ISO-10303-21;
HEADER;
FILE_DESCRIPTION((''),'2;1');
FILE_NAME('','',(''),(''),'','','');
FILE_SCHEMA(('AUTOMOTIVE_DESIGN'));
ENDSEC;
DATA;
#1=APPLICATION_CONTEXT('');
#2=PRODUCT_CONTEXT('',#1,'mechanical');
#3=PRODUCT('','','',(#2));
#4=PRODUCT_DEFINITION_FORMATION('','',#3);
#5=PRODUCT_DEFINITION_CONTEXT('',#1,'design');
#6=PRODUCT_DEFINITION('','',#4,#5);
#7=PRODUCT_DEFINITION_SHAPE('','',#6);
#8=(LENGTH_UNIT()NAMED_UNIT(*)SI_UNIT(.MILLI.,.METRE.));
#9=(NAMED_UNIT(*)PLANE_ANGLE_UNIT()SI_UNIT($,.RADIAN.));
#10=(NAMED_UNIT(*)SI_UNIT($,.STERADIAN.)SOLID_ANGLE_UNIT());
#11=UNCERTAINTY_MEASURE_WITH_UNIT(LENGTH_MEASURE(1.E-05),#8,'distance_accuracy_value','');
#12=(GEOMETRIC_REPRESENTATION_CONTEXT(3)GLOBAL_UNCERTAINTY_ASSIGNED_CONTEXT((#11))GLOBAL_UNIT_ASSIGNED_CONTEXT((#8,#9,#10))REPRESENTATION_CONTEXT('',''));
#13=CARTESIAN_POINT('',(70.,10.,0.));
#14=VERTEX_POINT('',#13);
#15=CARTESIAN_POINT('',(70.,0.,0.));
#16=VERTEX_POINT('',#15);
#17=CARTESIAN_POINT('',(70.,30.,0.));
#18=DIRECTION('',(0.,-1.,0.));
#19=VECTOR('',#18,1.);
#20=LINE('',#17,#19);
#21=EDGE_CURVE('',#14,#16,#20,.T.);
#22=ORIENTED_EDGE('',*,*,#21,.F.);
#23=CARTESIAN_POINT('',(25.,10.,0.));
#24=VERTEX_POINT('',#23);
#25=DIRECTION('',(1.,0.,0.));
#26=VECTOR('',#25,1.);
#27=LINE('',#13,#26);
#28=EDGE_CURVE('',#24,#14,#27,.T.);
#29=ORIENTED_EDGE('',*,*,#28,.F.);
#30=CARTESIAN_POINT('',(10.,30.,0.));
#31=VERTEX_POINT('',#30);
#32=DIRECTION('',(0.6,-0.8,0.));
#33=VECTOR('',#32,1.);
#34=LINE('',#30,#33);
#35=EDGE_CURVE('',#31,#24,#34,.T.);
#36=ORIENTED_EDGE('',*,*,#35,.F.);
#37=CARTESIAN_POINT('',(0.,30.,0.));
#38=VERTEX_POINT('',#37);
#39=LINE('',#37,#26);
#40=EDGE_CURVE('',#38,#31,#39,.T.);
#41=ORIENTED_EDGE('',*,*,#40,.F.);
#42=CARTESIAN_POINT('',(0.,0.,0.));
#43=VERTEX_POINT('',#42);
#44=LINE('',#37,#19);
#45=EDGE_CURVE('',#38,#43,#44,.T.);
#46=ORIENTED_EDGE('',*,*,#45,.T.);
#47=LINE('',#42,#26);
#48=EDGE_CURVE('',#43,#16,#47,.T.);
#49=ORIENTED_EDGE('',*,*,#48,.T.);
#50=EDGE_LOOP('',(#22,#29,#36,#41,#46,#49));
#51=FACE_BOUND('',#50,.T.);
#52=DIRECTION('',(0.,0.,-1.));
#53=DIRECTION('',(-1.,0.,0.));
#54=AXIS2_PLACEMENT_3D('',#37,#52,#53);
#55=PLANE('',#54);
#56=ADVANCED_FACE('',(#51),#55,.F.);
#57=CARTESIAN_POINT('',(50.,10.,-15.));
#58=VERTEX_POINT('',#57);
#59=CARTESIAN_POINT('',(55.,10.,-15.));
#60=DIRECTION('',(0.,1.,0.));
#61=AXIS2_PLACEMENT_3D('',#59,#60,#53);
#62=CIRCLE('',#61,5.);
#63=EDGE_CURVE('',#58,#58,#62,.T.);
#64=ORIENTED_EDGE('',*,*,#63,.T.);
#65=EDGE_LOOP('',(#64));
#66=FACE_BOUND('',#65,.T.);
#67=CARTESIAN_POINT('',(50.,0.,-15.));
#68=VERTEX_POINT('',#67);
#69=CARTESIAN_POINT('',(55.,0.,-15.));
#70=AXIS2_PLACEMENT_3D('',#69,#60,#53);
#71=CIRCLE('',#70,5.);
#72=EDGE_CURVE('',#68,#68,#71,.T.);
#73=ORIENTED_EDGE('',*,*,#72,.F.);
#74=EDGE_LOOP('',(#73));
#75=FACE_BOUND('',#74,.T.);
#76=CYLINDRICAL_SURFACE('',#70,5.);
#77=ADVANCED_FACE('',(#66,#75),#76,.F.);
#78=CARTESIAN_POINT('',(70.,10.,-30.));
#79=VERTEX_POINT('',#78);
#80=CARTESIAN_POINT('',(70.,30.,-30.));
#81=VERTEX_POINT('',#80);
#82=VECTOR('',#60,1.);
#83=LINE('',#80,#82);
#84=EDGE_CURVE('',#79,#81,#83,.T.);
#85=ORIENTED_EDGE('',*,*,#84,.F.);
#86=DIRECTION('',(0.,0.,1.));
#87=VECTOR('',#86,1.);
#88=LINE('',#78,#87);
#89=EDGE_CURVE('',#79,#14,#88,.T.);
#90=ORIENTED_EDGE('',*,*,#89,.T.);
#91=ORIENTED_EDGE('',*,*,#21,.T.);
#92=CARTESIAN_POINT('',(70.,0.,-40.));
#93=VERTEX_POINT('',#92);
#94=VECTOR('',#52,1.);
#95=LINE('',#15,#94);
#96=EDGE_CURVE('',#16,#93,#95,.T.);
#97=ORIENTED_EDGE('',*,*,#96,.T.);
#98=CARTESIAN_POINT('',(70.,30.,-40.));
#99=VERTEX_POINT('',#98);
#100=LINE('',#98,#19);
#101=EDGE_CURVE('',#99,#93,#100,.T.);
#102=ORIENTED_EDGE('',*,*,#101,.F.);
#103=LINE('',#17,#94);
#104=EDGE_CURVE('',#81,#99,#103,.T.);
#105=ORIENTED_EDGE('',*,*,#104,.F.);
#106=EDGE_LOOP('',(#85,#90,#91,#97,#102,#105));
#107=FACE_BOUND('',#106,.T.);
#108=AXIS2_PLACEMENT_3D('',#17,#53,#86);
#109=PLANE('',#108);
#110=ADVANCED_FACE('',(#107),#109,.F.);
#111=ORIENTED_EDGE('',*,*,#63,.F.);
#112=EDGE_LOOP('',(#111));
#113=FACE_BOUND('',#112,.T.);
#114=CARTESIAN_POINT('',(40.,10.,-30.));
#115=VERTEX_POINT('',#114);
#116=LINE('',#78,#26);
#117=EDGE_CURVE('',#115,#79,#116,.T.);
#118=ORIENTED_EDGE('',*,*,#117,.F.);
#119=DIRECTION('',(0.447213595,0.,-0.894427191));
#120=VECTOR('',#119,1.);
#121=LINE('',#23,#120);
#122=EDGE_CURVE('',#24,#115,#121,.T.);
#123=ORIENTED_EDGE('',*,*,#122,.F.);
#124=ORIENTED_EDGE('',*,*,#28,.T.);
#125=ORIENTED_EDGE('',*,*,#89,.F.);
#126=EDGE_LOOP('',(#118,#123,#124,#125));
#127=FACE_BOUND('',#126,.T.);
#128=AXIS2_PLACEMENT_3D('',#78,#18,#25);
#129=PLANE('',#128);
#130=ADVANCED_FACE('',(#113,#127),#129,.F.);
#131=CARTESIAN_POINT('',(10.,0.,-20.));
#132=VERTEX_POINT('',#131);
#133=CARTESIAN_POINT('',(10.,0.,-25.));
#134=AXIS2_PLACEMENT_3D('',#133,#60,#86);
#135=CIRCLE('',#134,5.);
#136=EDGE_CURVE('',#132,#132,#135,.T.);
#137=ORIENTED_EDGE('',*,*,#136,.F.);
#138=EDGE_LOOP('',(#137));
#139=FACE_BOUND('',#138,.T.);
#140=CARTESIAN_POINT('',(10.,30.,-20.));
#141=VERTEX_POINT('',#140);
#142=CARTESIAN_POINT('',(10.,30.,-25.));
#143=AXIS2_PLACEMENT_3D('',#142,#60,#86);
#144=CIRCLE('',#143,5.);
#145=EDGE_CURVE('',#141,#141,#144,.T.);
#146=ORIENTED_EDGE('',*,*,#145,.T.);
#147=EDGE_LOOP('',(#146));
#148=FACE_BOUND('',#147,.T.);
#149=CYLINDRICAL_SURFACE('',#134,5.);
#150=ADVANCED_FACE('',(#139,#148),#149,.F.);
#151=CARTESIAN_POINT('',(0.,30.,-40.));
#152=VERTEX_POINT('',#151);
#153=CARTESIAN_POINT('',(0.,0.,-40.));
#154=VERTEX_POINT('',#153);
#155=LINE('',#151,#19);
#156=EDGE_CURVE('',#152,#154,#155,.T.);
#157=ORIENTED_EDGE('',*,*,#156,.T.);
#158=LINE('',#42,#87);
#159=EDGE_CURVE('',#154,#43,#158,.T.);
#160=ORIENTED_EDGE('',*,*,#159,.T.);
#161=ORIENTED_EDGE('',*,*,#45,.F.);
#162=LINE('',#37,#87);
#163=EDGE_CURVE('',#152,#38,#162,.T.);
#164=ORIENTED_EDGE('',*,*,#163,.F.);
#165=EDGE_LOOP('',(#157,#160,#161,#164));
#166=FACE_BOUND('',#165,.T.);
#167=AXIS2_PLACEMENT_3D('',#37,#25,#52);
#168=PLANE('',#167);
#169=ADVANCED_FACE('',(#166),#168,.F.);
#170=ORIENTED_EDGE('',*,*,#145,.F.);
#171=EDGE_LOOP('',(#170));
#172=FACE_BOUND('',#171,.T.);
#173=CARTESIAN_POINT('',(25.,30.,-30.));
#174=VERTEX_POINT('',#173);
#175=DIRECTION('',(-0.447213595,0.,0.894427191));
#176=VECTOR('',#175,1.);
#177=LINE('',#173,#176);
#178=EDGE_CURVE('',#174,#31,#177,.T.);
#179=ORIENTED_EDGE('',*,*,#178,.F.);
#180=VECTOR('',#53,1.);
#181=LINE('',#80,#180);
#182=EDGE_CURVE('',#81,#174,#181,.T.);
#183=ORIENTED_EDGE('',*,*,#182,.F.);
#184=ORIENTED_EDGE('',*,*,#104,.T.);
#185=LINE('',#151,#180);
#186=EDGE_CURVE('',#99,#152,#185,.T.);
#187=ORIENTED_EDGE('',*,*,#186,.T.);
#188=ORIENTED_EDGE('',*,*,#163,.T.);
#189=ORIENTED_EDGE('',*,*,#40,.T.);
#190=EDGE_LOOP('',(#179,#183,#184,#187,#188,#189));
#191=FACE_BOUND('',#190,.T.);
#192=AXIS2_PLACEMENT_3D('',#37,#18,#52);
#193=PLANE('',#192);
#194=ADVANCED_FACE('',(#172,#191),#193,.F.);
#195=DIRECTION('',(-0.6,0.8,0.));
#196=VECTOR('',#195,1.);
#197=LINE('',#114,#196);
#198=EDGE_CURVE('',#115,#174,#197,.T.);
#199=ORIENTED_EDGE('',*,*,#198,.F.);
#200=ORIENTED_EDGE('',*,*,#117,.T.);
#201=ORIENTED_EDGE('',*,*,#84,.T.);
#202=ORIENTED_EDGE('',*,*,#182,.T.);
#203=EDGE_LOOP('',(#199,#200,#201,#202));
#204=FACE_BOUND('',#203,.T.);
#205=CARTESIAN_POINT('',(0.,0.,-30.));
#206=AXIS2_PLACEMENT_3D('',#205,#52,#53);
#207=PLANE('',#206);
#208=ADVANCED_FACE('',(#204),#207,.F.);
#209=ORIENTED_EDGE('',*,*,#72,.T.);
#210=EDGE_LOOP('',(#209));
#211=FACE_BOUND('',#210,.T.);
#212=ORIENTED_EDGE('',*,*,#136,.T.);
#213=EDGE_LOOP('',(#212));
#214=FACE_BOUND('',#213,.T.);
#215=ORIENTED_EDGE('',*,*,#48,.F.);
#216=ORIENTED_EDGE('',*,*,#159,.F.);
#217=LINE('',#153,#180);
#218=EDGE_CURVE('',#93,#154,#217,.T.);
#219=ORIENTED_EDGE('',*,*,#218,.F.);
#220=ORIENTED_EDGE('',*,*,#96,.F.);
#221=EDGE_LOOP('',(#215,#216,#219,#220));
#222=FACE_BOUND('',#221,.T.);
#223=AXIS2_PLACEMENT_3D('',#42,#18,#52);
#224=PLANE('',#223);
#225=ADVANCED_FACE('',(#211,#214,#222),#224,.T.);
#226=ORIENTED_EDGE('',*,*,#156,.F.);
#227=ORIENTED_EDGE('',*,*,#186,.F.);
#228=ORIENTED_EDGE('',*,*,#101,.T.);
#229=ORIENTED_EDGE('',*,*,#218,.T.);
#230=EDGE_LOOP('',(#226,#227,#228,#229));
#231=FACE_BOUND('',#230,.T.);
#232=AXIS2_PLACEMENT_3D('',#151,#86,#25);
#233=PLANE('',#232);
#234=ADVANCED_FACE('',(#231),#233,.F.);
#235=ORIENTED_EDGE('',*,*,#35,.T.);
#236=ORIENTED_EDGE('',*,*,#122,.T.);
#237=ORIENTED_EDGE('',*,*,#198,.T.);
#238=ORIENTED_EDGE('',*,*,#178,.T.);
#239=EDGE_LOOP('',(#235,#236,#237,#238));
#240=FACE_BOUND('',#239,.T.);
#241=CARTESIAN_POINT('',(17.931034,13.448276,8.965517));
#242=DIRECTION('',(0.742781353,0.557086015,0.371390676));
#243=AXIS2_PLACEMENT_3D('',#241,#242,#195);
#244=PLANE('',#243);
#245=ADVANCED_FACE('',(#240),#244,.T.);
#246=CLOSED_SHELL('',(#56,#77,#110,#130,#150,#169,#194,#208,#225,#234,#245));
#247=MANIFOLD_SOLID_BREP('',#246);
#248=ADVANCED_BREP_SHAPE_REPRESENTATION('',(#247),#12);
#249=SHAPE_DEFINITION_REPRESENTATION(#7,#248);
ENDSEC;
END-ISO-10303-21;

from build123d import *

# Parameters (mm, degrees)
SKETCH1_W           = 70
SKETCH1_H           = 40
BOSS_EXTRUDE1_DEPTH = 30
SKETCH2_W           = 30
SKETCH2_H           = 20
CUT_EXTRUDE1_DEPTH  = 30
CUT_EXTRUDE2_DEPTH  = 36
CUT_EXTRUDE3_DEPTH  = 49
CUT_EXTRUDE5_DEPTH  = 21
SKETCH11_R          = 5
CUT_EXTRUDE6_DEPTH  = 11
SKETCH12_R          = 5
CUT_EXTRUDE7_DEPTH  = 31


with BuildPart() as part:
    # Sketch1 → Boss-Extrude1 (new body)
    with BuildSketch(Plane(origin=(0, 0, 0), x_dir=(1, 0, 0), z_dir=(0, 1, 0))):
        with Locations((35, 20)):
            Rectangle(SKETCH1_W, SKETCH1_H)
    extrude(amount=BOSS_EXTRUDE1_DEPTH)

    # Sketch2 → Cut-Extrude1 (cut)
    with BuildSketch(Plane.XY):
        with Locations((55, 20)):
            Rectangle(SKETCH2_W, SKETCH2_H)
    extrude(amount=-CUT_EXTRUDE1_DEPTH, mode=Mode.SUBTRACT)

    # Sketch8 → Cut-Extrude2 (cut)
    with BuildSketch(Plane(origin=(17.931034483, 13.448275862, 8.965517241), x_dir=(0.297112541, 0.222834406, -0.928476691), z_dir=(0.742781353, 0.557086015, 0.371390676))):
        Polygon((9.656157585, 18), (9.656157585, -7), (41.967146428, -16), (41.967146428, 9), align=None)
    extrude(amount=CUT_EXTRUDE2_DEPTH, mode=Mode.SUBTRACT)

    # Sketch9 → Cut-Extrude3 (cut)
    with BuildSketch(Plane.XY.offset(-30)):
        Polygon((25, 30), (40, 10), (40, 30), align=None)
    extrude(amount=CUT_EXTRUDE3_DEPTH, mode=Mode.SUBTRACT)

    # Sketch10 → Cut-Extrude5 (cut)
    with BuildSketch(Plane(origin=(0, 10, 0), x_dir=(1, 0, 0), z_dir=(0, 1, 0))):
        Polygon((25, 0), (40, 0), (40, 30), align=None)
    extrude(amount=CUT_EXTRUDE5_DEPTH, mode=Mode.SUBTRACT)

    # Sketch11 → Cut-Extrude6 (cut, through all)
    with BuildSketch(Plane(origin=(0, 10, 0), x_dir=(1, 0, 0), z_dir=(0, 1, 0))):
        with Locations((55, 15)):
            Circle(SKETCH11_R)
    extrude(amount=-CUT_EXTRUDE6_DEPTH, mode=Mode.SUBTRACT)

    # Sketch12 → Cut-Extrude7 (cut, through all)
    with BuildSketch(Plane(origin=(0, 30, 0), x_dir=(1, 0, 0), z_dir=(0, 1, 0))):
        with Locations((10, 25)):
            Circle(SKETCH12_R)
    extrude(amount=-CUT_EXTRUDE7_DEPTH, mode=Mode.SUBTRACT)


solid = part.part
